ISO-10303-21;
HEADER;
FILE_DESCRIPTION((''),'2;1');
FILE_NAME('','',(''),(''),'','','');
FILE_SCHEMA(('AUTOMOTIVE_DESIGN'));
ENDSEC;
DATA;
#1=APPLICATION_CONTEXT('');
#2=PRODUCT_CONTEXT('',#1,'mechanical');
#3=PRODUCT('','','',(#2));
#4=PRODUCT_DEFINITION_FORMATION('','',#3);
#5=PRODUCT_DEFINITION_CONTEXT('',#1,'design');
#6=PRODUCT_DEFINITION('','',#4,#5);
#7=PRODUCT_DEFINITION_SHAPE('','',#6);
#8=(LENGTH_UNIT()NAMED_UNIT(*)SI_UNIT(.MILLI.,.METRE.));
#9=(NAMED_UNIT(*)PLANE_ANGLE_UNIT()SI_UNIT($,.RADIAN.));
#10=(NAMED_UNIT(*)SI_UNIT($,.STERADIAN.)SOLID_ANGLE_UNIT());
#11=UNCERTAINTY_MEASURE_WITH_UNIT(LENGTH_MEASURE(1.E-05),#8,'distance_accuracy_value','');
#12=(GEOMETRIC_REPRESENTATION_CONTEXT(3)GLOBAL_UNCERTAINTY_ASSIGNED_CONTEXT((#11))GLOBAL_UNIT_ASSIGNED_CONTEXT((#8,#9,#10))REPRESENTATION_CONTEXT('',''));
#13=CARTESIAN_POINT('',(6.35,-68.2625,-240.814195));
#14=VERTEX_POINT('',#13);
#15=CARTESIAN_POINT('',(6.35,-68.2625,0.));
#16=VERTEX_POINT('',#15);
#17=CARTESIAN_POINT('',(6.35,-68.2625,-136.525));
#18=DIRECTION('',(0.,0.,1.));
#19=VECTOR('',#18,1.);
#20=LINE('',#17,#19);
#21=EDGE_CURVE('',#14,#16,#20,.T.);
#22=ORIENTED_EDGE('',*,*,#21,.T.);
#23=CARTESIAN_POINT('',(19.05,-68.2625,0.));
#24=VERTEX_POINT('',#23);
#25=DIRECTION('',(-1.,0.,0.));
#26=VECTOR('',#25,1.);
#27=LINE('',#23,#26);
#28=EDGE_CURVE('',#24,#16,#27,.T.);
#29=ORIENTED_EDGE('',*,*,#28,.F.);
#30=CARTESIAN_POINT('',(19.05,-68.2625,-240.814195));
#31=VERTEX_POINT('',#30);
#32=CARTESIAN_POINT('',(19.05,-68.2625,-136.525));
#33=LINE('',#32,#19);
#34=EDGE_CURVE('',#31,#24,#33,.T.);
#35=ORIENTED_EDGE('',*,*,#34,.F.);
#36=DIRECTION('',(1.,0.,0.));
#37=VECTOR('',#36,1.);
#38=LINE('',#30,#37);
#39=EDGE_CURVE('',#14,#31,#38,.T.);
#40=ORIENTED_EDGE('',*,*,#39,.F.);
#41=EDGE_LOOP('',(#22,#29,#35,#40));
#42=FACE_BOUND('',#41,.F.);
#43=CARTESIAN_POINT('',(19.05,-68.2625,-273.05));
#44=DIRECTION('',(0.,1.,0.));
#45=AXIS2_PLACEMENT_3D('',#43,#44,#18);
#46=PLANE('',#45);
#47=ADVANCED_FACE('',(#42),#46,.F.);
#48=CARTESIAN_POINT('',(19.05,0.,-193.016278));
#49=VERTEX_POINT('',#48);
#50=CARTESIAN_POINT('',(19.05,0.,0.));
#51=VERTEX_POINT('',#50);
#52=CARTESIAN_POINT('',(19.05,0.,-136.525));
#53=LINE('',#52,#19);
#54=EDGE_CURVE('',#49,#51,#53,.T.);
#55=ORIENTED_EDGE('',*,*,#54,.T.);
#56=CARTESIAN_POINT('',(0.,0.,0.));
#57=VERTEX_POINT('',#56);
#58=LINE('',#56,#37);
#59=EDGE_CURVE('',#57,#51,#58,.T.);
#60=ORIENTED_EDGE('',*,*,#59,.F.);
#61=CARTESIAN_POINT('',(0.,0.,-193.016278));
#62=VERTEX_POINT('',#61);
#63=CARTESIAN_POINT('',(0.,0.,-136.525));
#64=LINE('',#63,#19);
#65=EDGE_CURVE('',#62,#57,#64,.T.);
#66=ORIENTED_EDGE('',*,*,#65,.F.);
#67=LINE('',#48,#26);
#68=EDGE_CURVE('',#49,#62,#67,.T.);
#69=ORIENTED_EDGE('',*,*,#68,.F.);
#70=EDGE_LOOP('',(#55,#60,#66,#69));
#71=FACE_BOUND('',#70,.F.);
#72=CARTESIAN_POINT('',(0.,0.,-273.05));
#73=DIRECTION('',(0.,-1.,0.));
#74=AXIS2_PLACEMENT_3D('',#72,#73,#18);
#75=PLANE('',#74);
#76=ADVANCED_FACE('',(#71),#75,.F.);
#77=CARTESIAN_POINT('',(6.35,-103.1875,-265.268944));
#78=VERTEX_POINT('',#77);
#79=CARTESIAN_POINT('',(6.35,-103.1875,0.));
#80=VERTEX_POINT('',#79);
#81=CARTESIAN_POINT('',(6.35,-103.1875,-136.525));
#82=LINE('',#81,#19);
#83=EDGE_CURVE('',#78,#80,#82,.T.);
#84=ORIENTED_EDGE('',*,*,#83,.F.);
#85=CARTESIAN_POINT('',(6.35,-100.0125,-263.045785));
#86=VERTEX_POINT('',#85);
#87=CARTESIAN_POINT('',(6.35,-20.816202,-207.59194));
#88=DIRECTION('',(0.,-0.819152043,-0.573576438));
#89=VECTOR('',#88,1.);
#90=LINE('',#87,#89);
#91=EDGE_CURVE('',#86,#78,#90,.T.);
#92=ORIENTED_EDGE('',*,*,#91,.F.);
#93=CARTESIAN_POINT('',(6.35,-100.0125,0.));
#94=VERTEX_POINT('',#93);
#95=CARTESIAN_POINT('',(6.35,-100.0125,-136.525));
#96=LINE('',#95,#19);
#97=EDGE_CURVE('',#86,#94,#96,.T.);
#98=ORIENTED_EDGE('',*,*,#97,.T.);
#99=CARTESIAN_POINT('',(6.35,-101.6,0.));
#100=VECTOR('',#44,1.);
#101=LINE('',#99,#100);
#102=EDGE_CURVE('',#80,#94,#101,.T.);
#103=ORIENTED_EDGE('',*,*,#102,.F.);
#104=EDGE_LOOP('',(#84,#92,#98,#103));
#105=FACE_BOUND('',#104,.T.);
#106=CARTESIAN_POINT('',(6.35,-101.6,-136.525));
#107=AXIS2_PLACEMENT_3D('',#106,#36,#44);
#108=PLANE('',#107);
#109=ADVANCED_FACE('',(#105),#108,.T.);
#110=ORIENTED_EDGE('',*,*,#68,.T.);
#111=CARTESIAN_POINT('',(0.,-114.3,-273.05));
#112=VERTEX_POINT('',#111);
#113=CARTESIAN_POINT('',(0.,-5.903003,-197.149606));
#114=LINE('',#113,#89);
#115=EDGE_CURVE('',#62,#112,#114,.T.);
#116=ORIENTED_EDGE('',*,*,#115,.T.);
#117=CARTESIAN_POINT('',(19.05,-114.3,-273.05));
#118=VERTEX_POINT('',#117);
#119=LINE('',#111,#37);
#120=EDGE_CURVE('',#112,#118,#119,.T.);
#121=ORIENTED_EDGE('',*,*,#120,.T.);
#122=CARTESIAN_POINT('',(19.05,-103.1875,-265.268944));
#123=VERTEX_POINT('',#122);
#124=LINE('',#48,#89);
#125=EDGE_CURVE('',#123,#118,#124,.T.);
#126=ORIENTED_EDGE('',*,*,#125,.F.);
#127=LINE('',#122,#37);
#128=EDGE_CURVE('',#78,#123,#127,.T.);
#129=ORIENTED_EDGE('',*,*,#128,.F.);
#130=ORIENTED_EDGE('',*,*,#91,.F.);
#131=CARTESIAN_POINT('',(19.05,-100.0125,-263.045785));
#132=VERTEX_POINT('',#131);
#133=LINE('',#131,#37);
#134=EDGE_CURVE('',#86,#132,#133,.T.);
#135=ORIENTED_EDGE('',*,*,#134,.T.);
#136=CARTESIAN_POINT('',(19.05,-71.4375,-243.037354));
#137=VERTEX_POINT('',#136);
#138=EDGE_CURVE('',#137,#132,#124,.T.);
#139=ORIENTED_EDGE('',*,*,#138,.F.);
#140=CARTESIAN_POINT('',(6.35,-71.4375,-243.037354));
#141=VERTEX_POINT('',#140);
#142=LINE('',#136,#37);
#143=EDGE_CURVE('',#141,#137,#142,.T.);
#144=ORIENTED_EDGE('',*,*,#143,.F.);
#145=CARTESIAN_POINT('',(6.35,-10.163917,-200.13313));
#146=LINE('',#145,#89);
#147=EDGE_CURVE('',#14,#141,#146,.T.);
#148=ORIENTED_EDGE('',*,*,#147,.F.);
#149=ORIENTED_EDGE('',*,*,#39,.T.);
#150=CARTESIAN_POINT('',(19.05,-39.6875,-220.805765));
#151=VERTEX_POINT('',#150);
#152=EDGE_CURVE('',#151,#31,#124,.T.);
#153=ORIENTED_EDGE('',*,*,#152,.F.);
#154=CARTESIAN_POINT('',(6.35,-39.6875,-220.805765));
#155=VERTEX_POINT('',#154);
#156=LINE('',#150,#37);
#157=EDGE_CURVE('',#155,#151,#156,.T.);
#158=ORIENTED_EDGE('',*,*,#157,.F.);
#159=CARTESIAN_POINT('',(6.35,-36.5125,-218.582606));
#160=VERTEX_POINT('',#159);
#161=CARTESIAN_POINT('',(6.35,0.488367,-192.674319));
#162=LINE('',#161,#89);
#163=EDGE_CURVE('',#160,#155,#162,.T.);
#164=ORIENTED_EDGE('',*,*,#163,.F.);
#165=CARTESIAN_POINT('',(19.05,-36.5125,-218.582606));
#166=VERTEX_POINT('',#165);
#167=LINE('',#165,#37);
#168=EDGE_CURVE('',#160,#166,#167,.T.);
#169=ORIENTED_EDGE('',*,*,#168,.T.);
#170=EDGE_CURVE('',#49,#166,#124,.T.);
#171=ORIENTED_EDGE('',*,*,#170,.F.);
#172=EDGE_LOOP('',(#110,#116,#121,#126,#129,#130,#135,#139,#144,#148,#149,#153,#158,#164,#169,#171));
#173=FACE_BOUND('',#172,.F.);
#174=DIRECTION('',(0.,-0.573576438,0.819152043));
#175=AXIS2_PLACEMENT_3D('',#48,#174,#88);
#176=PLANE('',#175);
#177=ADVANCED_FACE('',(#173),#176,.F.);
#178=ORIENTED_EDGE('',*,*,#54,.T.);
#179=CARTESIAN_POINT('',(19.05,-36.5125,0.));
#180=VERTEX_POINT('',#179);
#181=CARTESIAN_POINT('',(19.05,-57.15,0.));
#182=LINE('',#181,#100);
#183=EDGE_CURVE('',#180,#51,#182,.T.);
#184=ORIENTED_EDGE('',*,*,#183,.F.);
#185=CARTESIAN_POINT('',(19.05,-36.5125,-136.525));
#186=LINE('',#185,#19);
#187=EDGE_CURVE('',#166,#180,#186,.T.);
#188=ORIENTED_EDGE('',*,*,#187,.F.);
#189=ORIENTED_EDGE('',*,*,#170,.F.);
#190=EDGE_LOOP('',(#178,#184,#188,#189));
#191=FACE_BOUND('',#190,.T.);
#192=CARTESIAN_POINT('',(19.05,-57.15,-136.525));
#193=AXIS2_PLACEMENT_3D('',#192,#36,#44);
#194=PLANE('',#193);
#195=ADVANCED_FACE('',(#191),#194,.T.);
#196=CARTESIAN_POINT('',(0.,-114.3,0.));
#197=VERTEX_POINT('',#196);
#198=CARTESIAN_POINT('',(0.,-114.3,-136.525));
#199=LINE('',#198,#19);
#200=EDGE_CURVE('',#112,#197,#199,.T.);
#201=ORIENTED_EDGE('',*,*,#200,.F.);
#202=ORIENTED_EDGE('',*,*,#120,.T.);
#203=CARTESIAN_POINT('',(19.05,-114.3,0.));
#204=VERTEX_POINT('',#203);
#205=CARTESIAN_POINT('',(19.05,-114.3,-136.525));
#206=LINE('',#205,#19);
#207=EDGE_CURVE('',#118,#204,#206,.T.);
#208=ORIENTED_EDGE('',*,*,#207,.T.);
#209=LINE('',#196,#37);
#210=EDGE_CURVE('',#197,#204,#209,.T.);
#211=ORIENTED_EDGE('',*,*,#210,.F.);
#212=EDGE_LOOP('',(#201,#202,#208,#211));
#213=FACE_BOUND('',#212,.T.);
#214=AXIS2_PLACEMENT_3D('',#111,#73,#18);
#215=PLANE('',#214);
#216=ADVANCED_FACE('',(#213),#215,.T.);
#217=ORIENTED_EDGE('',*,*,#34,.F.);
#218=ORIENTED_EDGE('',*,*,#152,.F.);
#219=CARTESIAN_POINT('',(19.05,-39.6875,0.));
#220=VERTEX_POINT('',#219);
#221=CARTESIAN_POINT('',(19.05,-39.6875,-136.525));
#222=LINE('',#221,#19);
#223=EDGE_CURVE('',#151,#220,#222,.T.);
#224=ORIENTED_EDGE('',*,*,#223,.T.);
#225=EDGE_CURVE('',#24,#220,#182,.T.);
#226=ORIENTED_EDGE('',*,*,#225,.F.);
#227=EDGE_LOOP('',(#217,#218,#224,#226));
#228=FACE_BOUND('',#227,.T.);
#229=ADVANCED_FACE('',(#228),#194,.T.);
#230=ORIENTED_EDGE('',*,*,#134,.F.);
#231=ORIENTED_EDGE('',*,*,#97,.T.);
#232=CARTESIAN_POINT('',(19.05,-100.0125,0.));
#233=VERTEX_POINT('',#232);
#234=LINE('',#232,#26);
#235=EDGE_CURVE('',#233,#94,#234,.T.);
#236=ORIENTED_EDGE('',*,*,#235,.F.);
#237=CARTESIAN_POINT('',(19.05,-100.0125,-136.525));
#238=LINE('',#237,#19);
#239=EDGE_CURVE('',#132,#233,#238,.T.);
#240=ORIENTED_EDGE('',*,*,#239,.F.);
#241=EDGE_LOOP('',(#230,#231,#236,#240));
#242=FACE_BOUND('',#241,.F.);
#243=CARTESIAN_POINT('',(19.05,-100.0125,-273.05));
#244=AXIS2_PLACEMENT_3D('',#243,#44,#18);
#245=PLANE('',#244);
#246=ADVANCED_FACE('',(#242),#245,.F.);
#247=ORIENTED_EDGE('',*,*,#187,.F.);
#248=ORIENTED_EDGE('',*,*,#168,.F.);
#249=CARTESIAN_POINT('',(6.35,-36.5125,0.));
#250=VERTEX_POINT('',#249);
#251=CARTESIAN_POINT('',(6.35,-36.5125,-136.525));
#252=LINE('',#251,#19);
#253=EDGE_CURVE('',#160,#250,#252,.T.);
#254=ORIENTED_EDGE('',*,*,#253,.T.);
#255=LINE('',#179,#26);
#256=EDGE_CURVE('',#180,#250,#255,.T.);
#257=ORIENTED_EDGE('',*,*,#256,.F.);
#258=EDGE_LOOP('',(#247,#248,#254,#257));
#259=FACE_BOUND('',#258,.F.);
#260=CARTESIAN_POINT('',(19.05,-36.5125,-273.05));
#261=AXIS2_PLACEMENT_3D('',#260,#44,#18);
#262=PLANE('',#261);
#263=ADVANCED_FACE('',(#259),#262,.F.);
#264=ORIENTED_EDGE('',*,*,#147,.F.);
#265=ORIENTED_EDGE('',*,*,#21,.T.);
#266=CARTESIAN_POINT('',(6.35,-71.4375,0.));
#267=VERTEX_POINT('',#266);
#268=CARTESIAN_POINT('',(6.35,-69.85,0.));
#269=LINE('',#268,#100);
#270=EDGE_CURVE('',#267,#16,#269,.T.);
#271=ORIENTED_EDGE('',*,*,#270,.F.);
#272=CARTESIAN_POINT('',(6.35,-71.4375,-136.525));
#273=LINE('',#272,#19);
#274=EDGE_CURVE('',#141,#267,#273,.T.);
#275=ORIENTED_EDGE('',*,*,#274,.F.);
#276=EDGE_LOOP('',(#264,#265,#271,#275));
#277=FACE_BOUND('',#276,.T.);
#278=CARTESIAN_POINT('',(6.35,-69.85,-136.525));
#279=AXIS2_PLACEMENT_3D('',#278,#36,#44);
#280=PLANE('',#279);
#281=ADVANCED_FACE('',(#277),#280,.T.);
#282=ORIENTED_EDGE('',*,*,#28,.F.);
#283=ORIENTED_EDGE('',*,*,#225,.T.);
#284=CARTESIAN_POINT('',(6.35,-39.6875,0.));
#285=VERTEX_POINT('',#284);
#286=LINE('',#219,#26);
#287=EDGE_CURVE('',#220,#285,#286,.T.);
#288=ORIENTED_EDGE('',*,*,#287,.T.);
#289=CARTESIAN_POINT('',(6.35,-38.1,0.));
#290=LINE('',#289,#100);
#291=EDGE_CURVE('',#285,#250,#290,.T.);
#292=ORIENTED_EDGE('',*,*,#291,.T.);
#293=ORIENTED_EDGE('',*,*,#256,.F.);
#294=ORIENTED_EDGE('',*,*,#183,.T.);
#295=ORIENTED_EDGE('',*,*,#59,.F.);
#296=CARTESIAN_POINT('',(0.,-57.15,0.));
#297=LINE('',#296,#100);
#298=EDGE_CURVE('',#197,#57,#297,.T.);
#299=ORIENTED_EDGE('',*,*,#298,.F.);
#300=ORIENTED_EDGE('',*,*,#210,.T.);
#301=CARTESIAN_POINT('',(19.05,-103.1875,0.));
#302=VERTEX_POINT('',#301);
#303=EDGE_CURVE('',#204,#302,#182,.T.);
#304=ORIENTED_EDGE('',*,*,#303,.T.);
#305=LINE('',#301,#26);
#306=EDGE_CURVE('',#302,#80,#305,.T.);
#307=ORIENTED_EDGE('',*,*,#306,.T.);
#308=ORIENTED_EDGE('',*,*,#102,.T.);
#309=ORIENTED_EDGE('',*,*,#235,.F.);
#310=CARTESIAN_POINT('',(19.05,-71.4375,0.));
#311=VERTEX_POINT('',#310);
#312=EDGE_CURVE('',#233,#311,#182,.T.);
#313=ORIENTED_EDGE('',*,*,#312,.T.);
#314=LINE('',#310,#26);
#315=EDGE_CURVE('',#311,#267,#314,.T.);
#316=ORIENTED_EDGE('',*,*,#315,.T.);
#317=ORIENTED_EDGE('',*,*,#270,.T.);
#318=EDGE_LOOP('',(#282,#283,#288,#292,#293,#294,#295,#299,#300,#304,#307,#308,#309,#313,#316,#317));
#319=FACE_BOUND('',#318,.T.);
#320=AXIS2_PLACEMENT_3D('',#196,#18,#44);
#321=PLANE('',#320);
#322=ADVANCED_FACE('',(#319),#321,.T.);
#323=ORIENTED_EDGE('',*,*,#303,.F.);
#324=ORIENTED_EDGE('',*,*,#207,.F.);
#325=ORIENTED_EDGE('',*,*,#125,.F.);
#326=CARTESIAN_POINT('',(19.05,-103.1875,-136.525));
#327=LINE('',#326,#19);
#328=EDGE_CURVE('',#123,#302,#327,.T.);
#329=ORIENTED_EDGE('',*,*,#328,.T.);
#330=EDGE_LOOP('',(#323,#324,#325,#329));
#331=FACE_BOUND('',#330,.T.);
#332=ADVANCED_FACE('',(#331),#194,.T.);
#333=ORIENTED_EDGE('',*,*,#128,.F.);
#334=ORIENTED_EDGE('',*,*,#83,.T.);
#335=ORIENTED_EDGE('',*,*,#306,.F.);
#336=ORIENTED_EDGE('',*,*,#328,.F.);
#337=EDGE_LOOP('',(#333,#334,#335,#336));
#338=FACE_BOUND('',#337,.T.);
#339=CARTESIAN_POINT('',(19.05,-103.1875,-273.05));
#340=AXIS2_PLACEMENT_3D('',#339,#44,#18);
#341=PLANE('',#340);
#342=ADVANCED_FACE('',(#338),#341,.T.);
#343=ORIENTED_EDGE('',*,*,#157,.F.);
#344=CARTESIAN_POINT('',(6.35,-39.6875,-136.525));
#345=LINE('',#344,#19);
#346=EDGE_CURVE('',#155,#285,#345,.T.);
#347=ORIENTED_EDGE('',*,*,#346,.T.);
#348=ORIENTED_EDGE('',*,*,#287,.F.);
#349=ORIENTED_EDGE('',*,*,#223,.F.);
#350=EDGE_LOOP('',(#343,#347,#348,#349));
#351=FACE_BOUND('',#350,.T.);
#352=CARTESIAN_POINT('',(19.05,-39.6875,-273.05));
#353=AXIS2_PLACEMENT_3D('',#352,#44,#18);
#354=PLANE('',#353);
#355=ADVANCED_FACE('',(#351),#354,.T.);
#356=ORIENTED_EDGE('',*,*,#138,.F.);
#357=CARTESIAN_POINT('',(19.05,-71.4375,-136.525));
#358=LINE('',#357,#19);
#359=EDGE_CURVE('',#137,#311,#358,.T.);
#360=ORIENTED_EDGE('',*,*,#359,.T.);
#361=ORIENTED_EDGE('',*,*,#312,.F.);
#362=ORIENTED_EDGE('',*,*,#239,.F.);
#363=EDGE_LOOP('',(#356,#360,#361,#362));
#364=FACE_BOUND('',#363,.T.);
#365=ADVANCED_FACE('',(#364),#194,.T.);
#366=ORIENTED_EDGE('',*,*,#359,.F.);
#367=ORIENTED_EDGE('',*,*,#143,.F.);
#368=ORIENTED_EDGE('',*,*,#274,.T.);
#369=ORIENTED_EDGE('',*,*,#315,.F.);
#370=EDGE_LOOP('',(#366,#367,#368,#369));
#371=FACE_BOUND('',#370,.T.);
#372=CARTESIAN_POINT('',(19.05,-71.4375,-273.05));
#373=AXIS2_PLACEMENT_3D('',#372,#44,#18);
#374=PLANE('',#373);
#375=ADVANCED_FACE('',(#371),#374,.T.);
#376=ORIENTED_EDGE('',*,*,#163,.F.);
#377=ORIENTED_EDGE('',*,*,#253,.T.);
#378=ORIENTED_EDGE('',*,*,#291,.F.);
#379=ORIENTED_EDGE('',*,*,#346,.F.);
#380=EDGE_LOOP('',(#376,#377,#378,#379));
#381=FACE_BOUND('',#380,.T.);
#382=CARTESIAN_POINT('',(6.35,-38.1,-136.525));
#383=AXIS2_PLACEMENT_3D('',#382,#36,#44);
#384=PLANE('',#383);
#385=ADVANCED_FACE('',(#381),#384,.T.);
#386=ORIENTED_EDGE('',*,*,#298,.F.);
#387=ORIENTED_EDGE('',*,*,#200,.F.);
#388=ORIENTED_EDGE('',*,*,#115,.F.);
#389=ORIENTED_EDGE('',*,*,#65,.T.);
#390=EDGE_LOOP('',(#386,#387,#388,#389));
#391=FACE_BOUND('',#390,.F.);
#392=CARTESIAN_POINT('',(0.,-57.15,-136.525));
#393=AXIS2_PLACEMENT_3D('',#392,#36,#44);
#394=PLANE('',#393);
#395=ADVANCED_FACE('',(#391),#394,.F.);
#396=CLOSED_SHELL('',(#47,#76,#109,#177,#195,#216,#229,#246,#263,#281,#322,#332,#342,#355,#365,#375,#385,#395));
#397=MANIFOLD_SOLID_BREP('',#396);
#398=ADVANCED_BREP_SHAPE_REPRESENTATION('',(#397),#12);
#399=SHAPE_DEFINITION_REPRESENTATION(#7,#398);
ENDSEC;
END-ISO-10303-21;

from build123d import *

# Parameters (mm, degrees)
F0_W     = 114.3
F0_H     = 273.05
F1_DEPTH = 19.05
F2_W     = 3.175
F2_H     = 273.05
F3_DEPTH = 12.7
F5_DEPTH = 19.051


with BuildPart() as f1:
    # F0 (on Right) → F1 (new body)
    with BuildSketch(Plane.YZ):
        with Locations((-57.15, -136.525)):
            Rectangle(F0_W, F0_H)
    extrude(amount=F1_DEPTH)

    # F2 (on face) → F3 (cut)
    with BuildSketch(Plane.YZ.offset(19.05)):
        with Locations((-38.1, -136.525)):
            Rectangle(F2_W, F2_H)
        with Locations((-69.85, -136.525)):
            Rectangle(F2_W, F2_H)
        with Locations((-101.6, -136.525)):
            Rectangle(F2_W, F2_H)
    extrude(amount=-F3_DEPTH, mode=Mode.SUBTRACT)

    # F4 (on face) → F5 (cut, through all)
    with BuildSketch(Plane.YZ.offset(19.05)):
        Polygon((0, -193.016278), (-114.3, -273.05), (0, -273.05), align=None)
    extrude(amount=-F5_DEPTH, mode=Mode.SUBTRACT)


solid = f1.part
